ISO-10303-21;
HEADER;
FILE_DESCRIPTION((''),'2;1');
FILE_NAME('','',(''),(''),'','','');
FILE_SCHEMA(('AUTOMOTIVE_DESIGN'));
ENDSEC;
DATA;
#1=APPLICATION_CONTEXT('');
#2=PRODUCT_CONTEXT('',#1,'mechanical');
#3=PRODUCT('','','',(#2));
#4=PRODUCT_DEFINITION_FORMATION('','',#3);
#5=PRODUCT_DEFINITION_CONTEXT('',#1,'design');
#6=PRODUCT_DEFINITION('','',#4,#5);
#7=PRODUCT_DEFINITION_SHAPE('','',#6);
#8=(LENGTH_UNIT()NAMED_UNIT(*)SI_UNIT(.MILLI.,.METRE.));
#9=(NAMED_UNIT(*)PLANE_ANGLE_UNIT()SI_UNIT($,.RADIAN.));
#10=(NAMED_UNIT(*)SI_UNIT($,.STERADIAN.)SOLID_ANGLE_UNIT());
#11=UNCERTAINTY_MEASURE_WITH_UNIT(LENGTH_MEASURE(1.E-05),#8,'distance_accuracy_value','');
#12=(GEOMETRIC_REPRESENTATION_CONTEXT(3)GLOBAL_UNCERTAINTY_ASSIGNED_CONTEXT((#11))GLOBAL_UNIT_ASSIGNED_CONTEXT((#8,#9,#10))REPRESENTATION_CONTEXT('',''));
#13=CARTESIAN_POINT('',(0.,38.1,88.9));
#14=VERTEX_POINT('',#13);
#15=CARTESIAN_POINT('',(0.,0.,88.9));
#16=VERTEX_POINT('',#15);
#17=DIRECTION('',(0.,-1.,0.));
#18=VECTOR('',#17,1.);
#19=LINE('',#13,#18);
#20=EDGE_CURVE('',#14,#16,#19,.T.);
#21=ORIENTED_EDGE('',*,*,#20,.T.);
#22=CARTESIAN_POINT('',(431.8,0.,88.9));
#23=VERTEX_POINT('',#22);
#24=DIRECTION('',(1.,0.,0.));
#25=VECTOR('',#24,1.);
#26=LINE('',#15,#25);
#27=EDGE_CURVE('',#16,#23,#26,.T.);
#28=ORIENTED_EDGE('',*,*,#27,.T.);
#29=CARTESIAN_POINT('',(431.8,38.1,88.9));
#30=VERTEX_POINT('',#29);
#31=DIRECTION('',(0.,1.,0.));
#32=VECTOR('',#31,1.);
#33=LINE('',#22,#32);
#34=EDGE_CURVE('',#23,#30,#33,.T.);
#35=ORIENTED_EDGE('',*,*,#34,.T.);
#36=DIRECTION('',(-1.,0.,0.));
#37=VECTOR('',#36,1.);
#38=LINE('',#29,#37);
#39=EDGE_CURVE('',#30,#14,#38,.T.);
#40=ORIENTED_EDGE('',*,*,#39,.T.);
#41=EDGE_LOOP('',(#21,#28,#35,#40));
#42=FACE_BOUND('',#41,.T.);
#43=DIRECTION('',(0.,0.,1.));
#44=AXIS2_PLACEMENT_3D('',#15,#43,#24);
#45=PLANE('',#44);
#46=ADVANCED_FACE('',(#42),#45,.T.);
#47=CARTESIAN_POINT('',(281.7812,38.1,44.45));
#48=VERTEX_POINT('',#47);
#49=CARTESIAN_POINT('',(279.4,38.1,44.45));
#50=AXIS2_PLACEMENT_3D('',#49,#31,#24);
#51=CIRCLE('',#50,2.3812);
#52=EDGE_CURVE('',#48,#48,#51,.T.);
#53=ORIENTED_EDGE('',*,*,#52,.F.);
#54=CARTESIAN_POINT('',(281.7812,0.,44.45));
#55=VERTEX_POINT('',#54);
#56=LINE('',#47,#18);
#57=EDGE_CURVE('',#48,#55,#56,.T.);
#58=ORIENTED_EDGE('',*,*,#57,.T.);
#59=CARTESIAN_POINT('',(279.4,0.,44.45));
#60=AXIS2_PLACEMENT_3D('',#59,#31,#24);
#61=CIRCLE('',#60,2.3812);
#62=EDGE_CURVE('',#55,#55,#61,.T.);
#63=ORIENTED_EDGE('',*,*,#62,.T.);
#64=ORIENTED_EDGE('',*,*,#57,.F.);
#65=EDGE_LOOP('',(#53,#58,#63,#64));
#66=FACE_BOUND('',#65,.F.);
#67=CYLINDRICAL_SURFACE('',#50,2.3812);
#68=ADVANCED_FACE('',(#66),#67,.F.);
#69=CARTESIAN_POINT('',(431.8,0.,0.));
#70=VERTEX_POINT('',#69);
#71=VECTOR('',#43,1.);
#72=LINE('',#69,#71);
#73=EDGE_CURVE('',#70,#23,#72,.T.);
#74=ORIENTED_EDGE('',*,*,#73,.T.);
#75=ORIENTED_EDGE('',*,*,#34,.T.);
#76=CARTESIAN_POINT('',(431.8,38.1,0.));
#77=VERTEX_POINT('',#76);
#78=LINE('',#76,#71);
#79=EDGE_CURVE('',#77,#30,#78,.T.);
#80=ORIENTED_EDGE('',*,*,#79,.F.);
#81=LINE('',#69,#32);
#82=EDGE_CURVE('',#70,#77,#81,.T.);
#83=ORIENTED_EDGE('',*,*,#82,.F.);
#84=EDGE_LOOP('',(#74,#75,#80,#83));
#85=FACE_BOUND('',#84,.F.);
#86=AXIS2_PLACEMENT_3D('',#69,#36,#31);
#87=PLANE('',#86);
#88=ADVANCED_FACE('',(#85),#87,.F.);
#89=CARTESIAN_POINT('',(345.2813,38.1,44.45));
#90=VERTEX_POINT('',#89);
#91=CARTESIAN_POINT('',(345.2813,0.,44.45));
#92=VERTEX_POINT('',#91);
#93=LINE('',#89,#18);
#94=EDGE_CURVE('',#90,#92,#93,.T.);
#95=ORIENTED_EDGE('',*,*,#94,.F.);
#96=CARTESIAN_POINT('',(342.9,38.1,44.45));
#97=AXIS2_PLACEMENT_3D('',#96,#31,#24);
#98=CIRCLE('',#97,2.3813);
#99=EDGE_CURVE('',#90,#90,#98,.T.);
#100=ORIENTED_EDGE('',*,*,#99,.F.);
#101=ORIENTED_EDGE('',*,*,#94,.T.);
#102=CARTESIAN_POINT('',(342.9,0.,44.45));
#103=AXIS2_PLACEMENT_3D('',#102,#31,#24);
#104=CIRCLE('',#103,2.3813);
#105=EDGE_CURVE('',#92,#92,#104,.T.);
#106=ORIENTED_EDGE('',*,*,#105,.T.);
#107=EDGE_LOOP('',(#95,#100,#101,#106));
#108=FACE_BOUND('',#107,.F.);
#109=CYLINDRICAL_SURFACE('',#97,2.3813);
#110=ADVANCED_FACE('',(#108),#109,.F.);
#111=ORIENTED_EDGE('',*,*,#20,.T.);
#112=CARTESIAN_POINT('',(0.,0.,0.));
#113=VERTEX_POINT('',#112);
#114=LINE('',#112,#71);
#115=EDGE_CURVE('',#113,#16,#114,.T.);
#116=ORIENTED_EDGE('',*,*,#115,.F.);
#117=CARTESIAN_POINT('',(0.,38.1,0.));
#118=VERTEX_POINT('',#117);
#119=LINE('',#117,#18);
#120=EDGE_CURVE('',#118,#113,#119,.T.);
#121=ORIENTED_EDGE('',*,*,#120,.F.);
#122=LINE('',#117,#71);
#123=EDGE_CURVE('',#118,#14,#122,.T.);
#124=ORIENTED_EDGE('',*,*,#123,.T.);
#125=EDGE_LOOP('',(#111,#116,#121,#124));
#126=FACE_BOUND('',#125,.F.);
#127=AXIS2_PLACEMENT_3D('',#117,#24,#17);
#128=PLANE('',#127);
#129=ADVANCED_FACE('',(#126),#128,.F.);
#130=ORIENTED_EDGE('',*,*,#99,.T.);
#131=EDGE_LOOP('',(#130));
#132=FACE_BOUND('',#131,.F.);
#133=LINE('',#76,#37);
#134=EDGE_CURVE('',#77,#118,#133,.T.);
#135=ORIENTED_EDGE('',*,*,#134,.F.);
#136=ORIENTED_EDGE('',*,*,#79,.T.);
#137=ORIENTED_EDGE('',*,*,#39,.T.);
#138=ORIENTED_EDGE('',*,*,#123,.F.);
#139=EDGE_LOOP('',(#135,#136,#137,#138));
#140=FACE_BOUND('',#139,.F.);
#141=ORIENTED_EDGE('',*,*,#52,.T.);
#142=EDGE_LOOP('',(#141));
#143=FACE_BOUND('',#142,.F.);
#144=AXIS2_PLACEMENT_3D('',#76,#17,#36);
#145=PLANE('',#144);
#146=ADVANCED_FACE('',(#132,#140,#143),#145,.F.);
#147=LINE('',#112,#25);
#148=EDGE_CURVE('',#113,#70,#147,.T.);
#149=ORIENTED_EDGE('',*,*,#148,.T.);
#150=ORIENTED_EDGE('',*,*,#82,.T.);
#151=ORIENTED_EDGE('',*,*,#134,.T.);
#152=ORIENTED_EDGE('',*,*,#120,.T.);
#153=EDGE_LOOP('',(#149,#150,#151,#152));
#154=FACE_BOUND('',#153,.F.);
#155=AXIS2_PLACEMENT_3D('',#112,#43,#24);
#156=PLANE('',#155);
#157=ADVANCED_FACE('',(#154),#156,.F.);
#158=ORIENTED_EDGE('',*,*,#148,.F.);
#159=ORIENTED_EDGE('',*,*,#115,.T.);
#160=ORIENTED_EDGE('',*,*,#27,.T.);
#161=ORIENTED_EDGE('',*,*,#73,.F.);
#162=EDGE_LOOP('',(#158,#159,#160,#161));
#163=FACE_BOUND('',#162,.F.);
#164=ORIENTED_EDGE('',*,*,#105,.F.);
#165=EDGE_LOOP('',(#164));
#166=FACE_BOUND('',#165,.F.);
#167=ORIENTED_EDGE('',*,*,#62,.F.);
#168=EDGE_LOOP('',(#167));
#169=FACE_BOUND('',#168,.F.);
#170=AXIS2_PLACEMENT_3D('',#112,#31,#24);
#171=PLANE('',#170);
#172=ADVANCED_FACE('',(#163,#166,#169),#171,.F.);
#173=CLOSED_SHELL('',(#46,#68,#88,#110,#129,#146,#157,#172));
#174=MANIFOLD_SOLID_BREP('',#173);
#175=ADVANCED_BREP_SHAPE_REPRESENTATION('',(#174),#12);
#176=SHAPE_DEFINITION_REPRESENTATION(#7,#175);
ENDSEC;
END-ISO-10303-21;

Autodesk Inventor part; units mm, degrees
ref_plane "YZ Plane" through (0, 0, 0) normal (1, 0, 0) x (0, 1, 0)
ref_plane "XZ Plane" through (0, 0, 0) normal (0, 1, 0) x (-1, 0, 0)
ref_plane "XY Plane" through (0, 0, 0) normal (0, 0, 1) x (1, 0, 0)
sketch "Sketch1" plane through (0, 0, 0) normal (0, 0, 1) x (1, 0, 0)
  line L0 (0, 0) -> (431.8, 0)
  line L1 (431.8, 0) -> (431.8, 38.1)
  line L2 (431.8, 38.1) -> (0, 38.1)
  line L3 (0, 38.1) -> (0, 0)
  dimension "d0" = 431.8
  dimension "d1" = 38.1
extrude "Extrusion1" add sketch "Sketch1" along normal blind 88.9
sketch "Sketch4" plane through (0, 38.1, 0) normal (0, 1, 0) x (1, 0, 0)
  circle A0 centre (279.4, -44.45) radius 2.3812
  circle A1 centre (342.9, -44.45) radius 2.3813
  line L0 (279.4, -44.45) -> (342.9, -44.45) construction
  line L1 (431.8, 0) -> (431.8, -88.9) projected
  line L2 (266.7, 0) -> (355.6, 0) construction
  line L3 (355.6, 0) -> (355.6, -88.9) construction
  line L4 (355.6, -88.9) -> (266.7, -88.9) construction
  line L5 (266.7, -88.9) -> (266.7, 0) construction
  line L6 (431.8, 0) -> (0, 0) projected
  line L7 (431.8, -88.9) -> (0, -88.9) projected
  point P0 (311.15, -44.45)
  point P1 (311.15, 0)
  point P2 (266.7, -44.45)
  point P3 (311.15, -88.9)
  dimension "d11" = 4.7625
  dimension "d12" = 4.7625
  dimension "d13" = 63.5
  dimension "d15" = 88.9
  dimension "d16" = 76.2
extrude "Extrusion3" cut sketch "Sketch4" against normal through all
properties part number "BA02" material "Wood (Oak)"
